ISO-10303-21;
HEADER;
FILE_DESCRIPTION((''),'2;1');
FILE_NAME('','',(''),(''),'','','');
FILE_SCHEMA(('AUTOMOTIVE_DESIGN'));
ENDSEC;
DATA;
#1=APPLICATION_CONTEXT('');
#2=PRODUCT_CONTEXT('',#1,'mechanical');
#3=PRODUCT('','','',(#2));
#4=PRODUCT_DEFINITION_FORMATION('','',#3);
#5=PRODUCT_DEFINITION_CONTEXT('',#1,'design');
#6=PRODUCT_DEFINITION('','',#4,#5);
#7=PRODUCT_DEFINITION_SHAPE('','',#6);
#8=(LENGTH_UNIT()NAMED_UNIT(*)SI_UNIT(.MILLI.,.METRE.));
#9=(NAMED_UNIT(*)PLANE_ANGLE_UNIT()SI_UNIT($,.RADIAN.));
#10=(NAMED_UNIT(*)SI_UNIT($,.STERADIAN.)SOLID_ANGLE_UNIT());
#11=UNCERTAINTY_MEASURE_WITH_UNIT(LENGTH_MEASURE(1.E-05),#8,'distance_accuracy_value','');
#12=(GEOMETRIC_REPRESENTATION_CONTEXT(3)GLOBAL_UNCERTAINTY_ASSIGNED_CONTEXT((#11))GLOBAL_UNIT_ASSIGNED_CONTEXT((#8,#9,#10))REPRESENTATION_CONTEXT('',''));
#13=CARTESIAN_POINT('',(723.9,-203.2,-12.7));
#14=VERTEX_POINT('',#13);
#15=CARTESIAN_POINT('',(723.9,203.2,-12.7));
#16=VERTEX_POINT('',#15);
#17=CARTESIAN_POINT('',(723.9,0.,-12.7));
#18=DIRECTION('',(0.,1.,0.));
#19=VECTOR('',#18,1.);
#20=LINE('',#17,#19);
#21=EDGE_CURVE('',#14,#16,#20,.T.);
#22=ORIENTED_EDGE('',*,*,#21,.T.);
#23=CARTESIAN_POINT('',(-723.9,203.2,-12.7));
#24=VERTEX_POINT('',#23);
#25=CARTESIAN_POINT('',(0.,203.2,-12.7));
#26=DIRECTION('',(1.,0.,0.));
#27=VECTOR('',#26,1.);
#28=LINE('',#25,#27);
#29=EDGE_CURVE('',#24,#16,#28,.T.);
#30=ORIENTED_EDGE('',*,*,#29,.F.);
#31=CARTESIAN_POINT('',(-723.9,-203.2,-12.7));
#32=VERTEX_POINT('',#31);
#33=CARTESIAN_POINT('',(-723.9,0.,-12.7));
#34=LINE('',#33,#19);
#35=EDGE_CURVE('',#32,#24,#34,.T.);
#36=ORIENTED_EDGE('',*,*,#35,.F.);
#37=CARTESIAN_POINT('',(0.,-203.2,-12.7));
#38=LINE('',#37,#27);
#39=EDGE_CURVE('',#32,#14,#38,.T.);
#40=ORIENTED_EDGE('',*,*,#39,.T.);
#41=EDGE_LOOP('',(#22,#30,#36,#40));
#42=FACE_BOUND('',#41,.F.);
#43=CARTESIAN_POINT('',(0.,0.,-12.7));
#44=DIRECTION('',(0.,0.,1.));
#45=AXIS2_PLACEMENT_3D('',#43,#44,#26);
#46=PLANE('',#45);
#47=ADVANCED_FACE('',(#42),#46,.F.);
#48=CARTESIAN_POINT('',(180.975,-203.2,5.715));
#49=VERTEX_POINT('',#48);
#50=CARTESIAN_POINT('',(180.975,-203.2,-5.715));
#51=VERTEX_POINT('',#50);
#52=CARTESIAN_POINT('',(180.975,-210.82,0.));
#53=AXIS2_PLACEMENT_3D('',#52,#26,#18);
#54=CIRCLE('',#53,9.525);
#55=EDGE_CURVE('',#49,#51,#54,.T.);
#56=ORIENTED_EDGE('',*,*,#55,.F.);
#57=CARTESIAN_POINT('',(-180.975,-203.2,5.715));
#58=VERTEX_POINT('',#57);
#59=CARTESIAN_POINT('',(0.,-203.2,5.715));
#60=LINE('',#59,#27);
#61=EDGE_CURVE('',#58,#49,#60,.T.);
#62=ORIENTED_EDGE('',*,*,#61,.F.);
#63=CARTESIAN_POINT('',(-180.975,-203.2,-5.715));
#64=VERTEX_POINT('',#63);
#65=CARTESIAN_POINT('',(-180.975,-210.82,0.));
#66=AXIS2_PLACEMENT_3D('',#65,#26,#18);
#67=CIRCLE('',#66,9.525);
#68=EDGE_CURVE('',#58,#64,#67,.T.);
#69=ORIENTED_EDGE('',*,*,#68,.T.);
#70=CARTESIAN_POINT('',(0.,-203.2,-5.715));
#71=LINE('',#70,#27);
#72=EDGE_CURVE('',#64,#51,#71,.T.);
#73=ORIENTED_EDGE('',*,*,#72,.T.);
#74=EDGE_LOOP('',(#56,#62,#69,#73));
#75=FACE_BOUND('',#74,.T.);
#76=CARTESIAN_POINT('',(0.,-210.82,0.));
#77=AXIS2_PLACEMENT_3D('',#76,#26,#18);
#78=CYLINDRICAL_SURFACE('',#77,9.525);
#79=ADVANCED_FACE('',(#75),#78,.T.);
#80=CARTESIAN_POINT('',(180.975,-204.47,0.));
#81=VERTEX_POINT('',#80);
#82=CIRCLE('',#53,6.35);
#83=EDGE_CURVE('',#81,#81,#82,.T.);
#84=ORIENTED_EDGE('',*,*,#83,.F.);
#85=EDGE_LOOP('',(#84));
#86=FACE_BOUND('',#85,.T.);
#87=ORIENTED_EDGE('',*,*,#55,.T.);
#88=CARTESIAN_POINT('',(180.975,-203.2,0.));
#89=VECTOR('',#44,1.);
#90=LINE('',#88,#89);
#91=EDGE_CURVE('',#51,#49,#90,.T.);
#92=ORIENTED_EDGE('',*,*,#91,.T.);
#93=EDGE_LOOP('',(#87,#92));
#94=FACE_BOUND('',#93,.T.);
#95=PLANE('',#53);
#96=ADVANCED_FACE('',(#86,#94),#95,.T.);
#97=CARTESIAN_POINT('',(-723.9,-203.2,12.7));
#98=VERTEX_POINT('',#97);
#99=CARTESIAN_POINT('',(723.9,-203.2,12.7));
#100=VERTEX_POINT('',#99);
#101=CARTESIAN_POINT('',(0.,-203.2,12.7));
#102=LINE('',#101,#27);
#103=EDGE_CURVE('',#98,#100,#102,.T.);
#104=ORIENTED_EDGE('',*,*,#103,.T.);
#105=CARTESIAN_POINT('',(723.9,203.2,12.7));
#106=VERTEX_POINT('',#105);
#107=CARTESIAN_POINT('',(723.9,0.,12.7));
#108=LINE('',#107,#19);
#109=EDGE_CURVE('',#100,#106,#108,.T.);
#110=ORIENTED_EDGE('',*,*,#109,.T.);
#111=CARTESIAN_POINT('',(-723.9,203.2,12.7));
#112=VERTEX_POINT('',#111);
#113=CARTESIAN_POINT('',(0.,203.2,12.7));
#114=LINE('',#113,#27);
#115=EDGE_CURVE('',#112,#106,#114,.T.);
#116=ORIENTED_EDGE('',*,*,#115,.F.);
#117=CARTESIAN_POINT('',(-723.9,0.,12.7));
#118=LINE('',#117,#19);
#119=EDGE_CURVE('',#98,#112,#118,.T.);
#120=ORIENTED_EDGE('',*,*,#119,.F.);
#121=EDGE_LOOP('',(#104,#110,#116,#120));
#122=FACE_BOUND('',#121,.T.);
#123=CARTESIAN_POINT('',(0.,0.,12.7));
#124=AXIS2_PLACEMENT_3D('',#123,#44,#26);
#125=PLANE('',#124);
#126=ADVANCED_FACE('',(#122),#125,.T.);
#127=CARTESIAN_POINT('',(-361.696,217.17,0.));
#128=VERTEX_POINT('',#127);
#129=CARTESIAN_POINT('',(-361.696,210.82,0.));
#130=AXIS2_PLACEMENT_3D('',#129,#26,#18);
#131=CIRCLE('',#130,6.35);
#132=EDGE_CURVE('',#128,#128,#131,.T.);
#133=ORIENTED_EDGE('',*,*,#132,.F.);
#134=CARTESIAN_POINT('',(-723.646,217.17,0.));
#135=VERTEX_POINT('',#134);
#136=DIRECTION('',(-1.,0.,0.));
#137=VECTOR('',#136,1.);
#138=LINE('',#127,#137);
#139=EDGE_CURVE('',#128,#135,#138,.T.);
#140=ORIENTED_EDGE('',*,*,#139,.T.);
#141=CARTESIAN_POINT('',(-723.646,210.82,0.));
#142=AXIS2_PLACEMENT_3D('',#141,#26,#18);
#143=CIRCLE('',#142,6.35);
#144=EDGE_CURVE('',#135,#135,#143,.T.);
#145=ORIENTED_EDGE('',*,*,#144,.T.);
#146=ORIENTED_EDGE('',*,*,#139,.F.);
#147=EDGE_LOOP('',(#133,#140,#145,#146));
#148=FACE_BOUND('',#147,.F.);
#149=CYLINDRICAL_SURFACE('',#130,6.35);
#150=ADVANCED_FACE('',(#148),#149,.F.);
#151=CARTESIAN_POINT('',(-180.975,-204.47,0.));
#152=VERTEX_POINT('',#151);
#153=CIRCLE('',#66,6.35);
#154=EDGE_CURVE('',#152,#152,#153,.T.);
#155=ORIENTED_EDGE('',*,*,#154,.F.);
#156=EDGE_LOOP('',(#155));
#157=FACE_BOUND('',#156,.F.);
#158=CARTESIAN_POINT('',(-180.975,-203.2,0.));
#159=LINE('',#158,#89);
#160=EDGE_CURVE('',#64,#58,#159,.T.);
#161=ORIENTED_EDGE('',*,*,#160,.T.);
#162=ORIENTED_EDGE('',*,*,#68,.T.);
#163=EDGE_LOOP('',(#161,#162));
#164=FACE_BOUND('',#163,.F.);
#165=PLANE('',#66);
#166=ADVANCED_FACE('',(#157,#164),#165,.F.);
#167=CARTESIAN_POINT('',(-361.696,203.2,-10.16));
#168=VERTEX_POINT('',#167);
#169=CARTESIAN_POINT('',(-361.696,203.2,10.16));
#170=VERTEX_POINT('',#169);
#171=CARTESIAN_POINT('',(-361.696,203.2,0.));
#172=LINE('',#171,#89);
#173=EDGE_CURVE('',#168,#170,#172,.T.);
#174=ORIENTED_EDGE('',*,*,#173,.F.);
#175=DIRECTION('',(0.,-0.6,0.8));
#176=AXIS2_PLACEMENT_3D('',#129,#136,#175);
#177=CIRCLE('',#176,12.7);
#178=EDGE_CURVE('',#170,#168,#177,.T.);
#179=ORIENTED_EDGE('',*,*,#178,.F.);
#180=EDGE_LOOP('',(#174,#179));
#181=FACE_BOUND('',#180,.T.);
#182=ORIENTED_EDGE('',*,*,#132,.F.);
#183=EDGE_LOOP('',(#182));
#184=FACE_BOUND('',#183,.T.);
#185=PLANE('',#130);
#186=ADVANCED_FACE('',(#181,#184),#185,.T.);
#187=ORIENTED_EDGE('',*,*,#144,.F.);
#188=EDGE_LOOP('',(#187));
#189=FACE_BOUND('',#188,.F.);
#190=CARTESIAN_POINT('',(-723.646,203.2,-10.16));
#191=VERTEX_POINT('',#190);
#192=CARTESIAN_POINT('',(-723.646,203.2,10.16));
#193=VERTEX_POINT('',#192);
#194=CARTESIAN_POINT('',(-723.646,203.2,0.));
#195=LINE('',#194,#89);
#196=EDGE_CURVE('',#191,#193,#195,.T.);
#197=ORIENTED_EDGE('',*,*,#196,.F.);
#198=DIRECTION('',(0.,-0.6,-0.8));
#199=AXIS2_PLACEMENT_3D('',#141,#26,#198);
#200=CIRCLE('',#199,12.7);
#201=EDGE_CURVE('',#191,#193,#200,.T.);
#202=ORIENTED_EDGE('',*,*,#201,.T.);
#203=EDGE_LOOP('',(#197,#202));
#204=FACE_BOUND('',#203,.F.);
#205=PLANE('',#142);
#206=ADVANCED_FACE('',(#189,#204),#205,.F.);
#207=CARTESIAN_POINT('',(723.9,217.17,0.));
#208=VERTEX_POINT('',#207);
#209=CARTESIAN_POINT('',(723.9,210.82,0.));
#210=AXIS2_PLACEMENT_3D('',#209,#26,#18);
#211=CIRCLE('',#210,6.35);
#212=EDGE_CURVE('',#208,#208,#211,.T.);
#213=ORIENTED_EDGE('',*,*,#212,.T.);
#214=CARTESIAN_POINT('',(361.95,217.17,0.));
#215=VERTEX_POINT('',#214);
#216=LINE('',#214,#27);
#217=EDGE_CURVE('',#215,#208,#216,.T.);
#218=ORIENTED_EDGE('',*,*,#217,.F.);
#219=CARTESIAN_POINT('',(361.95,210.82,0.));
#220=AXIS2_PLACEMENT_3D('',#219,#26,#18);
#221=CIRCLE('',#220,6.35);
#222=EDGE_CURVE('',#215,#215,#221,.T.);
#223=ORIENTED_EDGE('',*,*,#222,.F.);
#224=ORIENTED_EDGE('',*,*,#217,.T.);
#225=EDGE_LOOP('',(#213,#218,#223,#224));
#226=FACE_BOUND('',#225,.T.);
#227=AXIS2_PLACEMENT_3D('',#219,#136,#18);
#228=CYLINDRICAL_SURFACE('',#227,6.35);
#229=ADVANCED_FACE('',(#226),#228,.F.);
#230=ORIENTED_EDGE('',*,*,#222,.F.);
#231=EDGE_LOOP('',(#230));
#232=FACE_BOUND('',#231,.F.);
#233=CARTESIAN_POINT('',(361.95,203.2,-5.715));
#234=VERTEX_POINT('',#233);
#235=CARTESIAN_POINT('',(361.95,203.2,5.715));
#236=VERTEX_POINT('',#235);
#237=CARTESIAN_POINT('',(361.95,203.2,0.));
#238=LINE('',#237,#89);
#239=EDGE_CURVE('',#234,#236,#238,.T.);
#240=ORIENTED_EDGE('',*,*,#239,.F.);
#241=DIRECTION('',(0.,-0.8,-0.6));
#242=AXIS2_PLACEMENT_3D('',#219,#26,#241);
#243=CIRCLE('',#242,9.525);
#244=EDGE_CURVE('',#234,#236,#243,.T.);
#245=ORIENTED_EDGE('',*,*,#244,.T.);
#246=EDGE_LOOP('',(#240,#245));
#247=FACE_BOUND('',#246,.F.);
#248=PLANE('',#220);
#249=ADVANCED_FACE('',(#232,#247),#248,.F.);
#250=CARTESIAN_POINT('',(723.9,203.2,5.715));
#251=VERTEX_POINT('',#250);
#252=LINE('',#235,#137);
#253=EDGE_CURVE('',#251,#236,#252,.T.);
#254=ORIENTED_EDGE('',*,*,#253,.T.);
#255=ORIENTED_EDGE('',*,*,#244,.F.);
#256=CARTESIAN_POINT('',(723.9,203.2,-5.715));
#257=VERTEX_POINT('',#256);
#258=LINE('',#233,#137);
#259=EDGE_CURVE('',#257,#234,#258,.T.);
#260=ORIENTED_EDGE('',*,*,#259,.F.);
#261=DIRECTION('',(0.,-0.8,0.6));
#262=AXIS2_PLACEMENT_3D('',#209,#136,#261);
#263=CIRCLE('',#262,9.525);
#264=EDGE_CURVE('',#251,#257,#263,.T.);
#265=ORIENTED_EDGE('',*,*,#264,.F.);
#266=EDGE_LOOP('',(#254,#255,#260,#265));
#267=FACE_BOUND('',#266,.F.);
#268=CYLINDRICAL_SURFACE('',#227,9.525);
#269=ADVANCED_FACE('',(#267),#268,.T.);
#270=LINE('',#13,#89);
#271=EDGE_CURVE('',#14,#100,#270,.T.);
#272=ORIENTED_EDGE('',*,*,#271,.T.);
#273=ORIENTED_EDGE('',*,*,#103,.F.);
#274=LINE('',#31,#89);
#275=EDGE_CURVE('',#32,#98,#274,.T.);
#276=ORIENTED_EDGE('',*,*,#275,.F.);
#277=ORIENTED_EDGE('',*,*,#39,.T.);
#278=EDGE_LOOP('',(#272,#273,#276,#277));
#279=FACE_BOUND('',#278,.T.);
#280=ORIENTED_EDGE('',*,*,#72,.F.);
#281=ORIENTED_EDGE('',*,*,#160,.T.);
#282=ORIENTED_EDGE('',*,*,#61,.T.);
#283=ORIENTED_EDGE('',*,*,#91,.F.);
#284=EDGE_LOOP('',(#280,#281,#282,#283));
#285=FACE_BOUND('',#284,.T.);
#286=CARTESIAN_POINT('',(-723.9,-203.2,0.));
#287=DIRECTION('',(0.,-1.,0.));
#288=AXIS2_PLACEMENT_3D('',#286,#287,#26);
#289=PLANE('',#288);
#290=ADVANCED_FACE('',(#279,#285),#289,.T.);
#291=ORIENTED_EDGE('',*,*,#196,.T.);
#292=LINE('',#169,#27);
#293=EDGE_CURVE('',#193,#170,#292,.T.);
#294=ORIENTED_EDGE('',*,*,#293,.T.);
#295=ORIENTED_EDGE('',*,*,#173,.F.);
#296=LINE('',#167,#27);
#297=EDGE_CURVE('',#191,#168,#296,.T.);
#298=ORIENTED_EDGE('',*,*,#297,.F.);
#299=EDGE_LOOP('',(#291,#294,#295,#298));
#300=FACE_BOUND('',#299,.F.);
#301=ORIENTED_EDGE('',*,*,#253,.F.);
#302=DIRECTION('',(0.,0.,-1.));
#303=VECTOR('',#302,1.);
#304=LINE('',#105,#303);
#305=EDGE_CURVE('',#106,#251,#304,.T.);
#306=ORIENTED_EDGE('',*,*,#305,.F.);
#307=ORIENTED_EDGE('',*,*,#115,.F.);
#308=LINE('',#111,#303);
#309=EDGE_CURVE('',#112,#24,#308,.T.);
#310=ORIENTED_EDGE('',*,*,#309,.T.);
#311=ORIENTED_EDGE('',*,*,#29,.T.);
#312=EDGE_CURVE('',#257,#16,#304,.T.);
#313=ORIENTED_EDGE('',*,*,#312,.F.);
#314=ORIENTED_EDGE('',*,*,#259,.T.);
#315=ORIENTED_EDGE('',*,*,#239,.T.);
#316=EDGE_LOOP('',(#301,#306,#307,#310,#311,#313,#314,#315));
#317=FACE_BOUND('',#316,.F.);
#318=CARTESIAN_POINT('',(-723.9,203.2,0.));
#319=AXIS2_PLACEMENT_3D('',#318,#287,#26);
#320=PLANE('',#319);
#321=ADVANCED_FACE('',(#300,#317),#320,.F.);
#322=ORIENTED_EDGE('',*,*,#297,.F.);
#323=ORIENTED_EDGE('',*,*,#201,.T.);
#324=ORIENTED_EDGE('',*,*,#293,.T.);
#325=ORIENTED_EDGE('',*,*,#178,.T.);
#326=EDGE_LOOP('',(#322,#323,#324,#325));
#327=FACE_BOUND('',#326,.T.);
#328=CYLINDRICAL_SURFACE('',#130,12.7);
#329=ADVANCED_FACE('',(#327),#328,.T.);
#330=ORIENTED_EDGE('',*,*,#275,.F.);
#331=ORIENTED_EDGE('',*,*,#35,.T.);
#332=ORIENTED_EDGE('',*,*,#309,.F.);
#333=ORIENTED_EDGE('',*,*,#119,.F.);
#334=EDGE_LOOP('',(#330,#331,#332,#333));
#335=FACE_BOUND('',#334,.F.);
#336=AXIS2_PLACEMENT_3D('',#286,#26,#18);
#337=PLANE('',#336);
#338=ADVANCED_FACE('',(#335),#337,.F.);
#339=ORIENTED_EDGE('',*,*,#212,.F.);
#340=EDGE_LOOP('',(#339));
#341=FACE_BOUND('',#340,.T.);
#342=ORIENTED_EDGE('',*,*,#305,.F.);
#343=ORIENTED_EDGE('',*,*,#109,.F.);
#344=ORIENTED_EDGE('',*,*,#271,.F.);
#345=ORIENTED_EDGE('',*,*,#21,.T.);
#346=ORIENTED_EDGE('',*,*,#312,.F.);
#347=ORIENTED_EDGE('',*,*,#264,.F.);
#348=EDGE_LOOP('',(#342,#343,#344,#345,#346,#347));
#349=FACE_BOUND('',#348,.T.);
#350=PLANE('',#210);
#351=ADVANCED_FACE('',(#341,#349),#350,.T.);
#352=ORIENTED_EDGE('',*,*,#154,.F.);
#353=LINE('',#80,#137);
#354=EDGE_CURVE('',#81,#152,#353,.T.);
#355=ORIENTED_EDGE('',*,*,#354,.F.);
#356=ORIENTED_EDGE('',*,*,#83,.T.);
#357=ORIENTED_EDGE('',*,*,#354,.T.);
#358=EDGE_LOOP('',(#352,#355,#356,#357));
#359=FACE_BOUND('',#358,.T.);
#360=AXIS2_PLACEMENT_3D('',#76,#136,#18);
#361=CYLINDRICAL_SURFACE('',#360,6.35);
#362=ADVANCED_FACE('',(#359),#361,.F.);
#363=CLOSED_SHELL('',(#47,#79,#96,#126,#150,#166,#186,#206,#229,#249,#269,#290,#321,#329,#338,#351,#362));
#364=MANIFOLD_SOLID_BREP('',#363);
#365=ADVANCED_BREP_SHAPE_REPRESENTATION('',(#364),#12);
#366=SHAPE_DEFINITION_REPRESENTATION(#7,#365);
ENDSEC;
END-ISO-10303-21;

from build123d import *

# Parameters (mm, degrees)
F0_W     = 1447.8
F0_H     = 406.4
F6_DEPTH = 12.7
F1_R     = 9.525
F1_R_2   = 6.35
F7_DEPTH = 180.975
F5_R     = 9.525
F5_R_2   = 6.35
F8_DEPTH = 361.95
F4_R     = 12.7
F4_R_2   = 6.35
F9_DEPTH = 361.95


with BuildPart() as f6:
    # F0 (on Top) → F6 (new body, symmetric)
    with BuildSketch(Plane.XY):
        Rectangle(F0_W, F0_H)
    extrude(amount=F6_DEPTH, both=True)

    # F1 (on Right) → F7 (join, symmetric)
    with BuildSketch(Plane.YZ):
        with Locations((-210.82, 0)):
            Circle(F1_R)
        with Locations((-210.82, 0)):
            Circle(F1_R_2, mode=Mode.SUBTRACT)
    extrude(amount=F7_DEPTH, both=True)

    # F5 (on offset) → F8 (join)
    with BuildSketch(Plane.YZ.offset(361.95)):
        with Locations((210.82, 0)):
            Circle(F5_R)
        with Locations((210.82, 0)):
            Circle(F5_R_2, mode=Mode.SUBTRACT)
    extrude(amount=F8_DEPTH)

    # F4 (on offset) → F9 (join)
    with BuildSketch(Plane.YZ.offset(-361.696)):
        with Locations((210.82, 0)):
            Circle(F4_R)
        with Locations((210.82, 0)):
            Circle(F4_R_2, mode=Mode.SUBTRACT)
    extrude(amount=-F9_DEPTH)


solid = f6.part
